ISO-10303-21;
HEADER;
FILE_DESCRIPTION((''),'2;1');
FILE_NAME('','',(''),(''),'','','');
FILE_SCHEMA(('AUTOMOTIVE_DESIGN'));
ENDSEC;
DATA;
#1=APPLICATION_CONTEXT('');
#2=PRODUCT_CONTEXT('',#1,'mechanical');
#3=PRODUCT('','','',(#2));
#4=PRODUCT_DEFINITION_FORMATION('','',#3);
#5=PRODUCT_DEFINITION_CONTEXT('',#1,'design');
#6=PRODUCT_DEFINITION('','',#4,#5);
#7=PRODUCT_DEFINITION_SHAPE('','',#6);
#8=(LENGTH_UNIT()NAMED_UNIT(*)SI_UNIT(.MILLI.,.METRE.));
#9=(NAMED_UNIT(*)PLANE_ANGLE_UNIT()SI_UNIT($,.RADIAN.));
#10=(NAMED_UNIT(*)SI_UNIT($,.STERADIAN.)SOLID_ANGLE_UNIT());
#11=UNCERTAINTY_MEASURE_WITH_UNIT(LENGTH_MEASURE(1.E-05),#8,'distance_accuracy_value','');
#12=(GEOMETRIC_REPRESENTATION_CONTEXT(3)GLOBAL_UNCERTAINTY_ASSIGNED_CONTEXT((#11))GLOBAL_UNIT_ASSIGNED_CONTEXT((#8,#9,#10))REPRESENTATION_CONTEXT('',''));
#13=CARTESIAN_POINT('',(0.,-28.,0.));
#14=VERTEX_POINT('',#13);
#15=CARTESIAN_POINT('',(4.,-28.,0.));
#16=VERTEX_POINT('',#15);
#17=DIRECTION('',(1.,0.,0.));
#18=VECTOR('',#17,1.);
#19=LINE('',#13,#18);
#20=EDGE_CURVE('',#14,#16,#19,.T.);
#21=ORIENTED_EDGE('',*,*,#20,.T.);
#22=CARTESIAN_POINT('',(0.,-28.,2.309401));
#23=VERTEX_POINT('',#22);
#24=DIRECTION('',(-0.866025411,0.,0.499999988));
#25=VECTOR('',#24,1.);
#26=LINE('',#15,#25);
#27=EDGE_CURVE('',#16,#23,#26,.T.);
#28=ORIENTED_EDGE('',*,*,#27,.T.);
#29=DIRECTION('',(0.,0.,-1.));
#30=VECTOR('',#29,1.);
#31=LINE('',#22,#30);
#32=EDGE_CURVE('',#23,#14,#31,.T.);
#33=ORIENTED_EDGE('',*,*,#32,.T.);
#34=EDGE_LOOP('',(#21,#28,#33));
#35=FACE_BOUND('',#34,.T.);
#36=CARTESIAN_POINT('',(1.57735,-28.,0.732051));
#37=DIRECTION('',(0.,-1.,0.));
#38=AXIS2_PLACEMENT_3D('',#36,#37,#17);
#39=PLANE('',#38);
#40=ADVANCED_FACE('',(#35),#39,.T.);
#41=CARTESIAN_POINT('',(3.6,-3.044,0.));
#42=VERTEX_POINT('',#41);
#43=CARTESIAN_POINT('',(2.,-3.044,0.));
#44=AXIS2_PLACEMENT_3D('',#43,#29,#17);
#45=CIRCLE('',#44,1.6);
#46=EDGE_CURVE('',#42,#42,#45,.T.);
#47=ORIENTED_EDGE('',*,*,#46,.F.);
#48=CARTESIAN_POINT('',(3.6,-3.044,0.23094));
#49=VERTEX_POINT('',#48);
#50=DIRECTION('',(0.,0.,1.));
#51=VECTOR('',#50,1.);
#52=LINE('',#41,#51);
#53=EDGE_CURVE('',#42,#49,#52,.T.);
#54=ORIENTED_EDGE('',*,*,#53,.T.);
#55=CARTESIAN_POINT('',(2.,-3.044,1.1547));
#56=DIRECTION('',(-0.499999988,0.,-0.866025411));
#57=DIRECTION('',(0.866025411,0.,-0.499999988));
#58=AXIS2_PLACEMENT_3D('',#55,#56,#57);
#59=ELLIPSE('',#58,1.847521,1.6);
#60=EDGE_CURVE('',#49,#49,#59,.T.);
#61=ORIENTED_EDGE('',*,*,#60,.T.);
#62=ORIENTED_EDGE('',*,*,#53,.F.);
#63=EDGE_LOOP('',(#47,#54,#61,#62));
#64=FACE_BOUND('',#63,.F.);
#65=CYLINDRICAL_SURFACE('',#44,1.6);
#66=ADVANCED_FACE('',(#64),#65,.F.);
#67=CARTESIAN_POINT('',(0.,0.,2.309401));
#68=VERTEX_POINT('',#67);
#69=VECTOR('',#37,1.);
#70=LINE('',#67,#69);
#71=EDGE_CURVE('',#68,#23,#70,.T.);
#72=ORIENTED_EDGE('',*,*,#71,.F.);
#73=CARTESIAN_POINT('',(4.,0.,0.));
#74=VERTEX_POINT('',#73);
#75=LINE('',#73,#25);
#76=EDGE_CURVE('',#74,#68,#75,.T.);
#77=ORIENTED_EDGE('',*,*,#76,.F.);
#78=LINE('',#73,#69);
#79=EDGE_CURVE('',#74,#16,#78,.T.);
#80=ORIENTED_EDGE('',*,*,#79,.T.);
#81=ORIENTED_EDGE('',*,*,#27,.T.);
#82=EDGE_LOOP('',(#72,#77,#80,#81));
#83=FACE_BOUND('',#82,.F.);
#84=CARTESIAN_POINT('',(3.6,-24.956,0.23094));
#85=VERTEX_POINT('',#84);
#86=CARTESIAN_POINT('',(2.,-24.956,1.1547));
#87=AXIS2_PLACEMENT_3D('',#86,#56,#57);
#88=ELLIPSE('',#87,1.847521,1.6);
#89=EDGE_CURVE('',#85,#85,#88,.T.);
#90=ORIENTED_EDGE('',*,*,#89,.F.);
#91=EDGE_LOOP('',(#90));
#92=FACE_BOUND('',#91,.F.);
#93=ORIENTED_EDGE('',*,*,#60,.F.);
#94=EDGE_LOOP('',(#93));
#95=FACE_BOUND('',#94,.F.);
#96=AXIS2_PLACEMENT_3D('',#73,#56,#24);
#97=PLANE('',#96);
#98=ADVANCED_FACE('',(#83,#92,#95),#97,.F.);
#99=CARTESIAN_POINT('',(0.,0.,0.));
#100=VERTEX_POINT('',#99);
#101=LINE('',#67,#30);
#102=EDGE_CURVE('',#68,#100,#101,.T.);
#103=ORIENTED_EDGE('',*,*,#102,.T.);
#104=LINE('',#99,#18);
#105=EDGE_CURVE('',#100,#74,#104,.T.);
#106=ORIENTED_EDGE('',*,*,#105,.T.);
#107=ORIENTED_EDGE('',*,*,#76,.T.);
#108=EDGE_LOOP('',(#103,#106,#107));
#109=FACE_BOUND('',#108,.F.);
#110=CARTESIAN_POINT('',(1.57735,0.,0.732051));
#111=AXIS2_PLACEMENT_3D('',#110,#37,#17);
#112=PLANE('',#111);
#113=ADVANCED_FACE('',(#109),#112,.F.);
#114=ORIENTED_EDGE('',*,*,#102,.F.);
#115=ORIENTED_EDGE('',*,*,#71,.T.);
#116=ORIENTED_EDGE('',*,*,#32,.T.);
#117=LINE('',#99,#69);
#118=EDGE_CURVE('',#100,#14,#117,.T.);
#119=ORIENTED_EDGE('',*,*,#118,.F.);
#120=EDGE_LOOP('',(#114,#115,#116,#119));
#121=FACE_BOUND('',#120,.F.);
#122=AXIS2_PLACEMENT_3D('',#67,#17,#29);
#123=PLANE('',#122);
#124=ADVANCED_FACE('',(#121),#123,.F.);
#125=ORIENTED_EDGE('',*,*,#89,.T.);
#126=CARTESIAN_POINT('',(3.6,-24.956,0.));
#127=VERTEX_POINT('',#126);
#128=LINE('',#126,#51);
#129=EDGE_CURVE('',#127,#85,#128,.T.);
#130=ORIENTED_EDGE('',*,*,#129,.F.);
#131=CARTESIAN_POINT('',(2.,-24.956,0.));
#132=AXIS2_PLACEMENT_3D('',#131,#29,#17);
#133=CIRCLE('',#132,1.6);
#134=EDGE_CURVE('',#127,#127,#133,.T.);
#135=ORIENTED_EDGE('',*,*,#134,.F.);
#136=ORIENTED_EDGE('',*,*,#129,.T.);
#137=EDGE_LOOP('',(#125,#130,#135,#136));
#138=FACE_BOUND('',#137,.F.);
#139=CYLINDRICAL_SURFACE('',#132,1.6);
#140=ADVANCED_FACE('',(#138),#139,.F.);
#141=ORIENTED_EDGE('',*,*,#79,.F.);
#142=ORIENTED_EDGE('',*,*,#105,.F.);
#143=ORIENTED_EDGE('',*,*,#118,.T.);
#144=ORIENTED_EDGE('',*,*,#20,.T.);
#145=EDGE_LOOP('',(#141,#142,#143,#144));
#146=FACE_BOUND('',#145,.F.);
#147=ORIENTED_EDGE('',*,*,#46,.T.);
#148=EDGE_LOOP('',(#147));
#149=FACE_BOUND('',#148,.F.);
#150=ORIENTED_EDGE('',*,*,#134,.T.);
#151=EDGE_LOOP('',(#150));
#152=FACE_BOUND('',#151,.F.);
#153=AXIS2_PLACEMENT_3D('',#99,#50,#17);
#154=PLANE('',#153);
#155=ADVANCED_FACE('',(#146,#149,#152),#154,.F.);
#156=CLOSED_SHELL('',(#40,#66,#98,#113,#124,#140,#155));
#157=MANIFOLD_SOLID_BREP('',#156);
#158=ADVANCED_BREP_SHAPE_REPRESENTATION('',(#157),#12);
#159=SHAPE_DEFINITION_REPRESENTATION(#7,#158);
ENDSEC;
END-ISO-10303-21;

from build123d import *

# Parameters (mm, degrees)
F1_DEPTH = 28
F3_D     = 3
F3_DEPTH = 14.4
F2_R     = 1.6
F4_DEPTH = 25


with BuildPart() as f1:
    # F0 (on Front) → F1 (new body)
    with BuildSketch(Plane.XZ):
        Polygon((0, 2.309401), (0, 0), (4, 0), align=None)
    extrude(amount=F1_DEPTH)

    # F3
    with Locations(Plane(origin=(0, 0, 0), x_dir=(1, 0, 0), z_dir=(0, 0, -1))):
        with Locations((2, 24.956)):
            Hole(F3_D / 2, depth=F3_DEPTH)

    # F2 (on face) → F4 (cut)
    with BuildSketch(Plane(origin=(0, 0, 0), x_dir=(1, 0, 0), z_dir=(0, 0, -1))):
        with Locations((2, 24.956)):
            Circle(F2_R)
        with Locations((2, 3.044)):
            Circle(F2_R)
    extrude(amount=-F4_DEPTH, mode=Mode.SUBTRACT)


solid = f1.part
